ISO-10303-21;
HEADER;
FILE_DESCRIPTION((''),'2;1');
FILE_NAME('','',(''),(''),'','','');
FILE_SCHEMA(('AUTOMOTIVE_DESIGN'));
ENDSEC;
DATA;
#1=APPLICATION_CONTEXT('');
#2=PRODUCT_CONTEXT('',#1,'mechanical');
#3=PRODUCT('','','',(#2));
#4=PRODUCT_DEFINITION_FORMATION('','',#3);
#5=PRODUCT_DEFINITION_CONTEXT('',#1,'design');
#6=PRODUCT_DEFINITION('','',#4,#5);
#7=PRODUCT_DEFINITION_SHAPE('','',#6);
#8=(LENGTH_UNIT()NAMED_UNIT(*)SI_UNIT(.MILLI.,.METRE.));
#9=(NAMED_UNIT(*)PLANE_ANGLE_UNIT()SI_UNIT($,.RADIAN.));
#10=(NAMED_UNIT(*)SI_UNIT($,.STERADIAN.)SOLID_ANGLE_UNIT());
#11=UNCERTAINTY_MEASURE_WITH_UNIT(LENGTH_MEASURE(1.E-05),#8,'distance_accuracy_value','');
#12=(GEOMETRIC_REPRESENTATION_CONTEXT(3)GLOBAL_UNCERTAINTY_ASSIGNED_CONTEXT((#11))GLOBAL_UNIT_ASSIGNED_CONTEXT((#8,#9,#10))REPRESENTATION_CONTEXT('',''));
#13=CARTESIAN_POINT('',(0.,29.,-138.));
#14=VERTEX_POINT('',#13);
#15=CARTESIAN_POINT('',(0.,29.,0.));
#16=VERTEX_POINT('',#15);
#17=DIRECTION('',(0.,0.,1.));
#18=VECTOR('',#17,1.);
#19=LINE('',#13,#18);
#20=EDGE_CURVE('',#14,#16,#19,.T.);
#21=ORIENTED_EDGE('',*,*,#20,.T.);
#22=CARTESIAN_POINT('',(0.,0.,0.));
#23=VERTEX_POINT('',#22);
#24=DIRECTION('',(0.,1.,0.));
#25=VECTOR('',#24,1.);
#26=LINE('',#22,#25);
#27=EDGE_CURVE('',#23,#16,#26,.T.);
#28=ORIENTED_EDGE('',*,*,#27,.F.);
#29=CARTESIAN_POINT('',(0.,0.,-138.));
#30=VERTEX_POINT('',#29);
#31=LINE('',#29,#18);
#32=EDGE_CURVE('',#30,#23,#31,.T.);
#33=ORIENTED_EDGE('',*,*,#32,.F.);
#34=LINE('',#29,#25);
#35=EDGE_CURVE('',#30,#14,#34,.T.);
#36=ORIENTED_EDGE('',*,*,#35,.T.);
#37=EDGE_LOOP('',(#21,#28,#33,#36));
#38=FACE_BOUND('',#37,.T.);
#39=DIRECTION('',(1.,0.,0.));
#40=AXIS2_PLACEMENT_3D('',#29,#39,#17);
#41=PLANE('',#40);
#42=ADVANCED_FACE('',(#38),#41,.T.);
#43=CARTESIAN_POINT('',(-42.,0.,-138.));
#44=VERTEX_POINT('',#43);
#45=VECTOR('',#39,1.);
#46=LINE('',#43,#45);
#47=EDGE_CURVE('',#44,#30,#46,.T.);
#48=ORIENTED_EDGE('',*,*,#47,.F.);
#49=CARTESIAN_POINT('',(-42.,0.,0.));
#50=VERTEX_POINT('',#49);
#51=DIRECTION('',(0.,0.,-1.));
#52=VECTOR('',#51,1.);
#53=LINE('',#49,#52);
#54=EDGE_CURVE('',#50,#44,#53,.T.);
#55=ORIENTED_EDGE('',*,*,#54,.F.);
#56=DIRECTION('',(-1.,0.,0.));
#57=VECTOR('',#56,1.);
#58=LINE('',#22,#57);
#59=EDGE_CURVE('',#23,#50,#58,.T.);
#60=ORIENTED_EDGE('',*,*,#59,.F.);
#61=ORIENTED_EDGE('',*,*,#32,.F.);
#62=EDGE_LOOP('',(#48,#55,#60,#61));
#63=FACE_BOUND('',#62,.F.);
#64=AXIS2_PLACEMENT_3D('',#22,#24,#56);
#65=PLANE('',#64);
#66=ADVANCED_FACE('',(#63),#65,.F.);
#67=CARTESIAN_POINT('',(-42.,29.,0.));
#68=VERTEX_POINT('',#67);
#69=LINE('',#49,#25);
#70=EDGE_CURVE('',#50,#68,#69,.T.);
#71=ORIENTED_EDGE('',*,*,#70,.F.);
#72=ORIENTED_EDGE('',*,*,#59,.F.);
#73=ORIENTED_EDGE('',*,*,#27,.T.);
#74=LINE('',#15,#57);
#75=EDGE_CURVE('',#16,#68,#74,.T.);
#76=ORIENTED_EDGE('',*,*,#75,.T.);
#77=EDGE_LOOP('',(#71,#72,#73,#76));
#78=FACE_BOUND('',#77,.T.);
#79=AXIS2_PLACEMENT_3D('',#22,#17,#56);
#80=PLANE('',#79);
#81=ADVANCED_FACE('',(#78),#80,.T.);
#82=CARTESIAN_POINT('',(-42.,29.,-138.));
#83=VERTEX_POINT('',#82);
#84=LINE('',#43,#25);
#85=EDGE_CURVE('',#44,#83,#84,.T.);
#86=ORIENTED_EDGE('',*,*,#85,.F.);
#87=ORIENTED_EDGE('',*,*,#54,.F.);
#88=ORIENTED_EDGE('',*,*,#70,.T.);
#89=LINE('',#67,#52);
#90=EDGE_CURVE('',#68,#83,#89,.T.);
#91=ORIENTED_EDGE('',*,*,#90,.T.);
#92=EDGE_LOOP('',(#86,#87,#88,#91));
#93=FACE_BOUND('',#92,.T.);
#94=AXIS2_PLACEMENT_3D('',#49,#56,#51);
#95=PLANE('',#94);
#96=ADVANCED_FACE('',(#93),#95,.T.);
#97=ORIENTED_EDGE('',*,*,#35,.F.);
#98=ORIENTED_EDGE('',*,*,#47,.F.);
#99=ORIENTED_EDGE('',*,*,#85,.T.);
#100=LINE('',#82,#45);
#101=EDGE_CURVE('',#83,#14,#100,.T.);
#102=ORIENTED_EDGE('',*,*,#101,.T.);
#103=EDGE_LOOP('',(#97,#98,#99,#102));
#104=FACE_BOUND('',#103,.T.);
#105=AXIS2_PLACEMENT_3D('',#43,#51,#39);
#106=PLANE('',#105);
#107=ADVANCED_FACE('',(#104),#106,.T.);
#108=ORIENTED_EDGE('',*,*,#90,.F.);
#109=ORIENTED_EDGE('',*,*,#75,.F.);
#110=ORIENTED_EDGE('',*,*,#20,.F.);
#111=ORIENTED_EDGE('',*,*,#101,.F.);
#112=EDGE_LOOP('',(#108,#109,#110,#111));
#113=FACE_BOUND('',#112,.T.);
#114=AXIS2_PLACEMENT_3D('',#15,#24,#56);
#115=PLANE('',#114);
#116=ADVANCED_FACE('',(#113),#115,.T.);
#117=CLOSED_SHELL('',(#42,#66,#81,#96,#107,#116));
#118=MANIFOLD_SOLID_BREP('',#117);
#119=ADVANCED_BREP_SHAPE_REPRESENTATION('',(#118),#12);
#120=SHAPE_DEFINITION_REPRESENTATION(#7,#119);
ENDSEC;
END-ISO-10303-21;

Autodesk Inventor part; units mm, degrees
ref_plane "YZ Plane" through (0, 0, 0) normal (1, 0, 0) x (0, 1, 0)
ref_plane "XZ Plane" through (0, 0, 0) normal (0, 1, 0) x (-1, 0, 0)
ref_plane "XY Plane" through (0, 0, 0) normal (0, 0, 1) x (1, 0, 0)
sketch "Sketch1" plane through (0, 0, 0) normal (0, 1, 0) x (-1, 0, 0)
  line L0 (0, 0) -> (42, 0)
  line L1 (42, 0) -> (42, -138)
  line L2 (42, -138) -> (0, -138)
  line L3 (0, -138) -> (0, 0)
  dimension "d0" = 42
  dimension "d1" = 138
extrude "Extrusion1" add sketch "Sketch1" along normal blind 29
properties part number "BATTERY"
